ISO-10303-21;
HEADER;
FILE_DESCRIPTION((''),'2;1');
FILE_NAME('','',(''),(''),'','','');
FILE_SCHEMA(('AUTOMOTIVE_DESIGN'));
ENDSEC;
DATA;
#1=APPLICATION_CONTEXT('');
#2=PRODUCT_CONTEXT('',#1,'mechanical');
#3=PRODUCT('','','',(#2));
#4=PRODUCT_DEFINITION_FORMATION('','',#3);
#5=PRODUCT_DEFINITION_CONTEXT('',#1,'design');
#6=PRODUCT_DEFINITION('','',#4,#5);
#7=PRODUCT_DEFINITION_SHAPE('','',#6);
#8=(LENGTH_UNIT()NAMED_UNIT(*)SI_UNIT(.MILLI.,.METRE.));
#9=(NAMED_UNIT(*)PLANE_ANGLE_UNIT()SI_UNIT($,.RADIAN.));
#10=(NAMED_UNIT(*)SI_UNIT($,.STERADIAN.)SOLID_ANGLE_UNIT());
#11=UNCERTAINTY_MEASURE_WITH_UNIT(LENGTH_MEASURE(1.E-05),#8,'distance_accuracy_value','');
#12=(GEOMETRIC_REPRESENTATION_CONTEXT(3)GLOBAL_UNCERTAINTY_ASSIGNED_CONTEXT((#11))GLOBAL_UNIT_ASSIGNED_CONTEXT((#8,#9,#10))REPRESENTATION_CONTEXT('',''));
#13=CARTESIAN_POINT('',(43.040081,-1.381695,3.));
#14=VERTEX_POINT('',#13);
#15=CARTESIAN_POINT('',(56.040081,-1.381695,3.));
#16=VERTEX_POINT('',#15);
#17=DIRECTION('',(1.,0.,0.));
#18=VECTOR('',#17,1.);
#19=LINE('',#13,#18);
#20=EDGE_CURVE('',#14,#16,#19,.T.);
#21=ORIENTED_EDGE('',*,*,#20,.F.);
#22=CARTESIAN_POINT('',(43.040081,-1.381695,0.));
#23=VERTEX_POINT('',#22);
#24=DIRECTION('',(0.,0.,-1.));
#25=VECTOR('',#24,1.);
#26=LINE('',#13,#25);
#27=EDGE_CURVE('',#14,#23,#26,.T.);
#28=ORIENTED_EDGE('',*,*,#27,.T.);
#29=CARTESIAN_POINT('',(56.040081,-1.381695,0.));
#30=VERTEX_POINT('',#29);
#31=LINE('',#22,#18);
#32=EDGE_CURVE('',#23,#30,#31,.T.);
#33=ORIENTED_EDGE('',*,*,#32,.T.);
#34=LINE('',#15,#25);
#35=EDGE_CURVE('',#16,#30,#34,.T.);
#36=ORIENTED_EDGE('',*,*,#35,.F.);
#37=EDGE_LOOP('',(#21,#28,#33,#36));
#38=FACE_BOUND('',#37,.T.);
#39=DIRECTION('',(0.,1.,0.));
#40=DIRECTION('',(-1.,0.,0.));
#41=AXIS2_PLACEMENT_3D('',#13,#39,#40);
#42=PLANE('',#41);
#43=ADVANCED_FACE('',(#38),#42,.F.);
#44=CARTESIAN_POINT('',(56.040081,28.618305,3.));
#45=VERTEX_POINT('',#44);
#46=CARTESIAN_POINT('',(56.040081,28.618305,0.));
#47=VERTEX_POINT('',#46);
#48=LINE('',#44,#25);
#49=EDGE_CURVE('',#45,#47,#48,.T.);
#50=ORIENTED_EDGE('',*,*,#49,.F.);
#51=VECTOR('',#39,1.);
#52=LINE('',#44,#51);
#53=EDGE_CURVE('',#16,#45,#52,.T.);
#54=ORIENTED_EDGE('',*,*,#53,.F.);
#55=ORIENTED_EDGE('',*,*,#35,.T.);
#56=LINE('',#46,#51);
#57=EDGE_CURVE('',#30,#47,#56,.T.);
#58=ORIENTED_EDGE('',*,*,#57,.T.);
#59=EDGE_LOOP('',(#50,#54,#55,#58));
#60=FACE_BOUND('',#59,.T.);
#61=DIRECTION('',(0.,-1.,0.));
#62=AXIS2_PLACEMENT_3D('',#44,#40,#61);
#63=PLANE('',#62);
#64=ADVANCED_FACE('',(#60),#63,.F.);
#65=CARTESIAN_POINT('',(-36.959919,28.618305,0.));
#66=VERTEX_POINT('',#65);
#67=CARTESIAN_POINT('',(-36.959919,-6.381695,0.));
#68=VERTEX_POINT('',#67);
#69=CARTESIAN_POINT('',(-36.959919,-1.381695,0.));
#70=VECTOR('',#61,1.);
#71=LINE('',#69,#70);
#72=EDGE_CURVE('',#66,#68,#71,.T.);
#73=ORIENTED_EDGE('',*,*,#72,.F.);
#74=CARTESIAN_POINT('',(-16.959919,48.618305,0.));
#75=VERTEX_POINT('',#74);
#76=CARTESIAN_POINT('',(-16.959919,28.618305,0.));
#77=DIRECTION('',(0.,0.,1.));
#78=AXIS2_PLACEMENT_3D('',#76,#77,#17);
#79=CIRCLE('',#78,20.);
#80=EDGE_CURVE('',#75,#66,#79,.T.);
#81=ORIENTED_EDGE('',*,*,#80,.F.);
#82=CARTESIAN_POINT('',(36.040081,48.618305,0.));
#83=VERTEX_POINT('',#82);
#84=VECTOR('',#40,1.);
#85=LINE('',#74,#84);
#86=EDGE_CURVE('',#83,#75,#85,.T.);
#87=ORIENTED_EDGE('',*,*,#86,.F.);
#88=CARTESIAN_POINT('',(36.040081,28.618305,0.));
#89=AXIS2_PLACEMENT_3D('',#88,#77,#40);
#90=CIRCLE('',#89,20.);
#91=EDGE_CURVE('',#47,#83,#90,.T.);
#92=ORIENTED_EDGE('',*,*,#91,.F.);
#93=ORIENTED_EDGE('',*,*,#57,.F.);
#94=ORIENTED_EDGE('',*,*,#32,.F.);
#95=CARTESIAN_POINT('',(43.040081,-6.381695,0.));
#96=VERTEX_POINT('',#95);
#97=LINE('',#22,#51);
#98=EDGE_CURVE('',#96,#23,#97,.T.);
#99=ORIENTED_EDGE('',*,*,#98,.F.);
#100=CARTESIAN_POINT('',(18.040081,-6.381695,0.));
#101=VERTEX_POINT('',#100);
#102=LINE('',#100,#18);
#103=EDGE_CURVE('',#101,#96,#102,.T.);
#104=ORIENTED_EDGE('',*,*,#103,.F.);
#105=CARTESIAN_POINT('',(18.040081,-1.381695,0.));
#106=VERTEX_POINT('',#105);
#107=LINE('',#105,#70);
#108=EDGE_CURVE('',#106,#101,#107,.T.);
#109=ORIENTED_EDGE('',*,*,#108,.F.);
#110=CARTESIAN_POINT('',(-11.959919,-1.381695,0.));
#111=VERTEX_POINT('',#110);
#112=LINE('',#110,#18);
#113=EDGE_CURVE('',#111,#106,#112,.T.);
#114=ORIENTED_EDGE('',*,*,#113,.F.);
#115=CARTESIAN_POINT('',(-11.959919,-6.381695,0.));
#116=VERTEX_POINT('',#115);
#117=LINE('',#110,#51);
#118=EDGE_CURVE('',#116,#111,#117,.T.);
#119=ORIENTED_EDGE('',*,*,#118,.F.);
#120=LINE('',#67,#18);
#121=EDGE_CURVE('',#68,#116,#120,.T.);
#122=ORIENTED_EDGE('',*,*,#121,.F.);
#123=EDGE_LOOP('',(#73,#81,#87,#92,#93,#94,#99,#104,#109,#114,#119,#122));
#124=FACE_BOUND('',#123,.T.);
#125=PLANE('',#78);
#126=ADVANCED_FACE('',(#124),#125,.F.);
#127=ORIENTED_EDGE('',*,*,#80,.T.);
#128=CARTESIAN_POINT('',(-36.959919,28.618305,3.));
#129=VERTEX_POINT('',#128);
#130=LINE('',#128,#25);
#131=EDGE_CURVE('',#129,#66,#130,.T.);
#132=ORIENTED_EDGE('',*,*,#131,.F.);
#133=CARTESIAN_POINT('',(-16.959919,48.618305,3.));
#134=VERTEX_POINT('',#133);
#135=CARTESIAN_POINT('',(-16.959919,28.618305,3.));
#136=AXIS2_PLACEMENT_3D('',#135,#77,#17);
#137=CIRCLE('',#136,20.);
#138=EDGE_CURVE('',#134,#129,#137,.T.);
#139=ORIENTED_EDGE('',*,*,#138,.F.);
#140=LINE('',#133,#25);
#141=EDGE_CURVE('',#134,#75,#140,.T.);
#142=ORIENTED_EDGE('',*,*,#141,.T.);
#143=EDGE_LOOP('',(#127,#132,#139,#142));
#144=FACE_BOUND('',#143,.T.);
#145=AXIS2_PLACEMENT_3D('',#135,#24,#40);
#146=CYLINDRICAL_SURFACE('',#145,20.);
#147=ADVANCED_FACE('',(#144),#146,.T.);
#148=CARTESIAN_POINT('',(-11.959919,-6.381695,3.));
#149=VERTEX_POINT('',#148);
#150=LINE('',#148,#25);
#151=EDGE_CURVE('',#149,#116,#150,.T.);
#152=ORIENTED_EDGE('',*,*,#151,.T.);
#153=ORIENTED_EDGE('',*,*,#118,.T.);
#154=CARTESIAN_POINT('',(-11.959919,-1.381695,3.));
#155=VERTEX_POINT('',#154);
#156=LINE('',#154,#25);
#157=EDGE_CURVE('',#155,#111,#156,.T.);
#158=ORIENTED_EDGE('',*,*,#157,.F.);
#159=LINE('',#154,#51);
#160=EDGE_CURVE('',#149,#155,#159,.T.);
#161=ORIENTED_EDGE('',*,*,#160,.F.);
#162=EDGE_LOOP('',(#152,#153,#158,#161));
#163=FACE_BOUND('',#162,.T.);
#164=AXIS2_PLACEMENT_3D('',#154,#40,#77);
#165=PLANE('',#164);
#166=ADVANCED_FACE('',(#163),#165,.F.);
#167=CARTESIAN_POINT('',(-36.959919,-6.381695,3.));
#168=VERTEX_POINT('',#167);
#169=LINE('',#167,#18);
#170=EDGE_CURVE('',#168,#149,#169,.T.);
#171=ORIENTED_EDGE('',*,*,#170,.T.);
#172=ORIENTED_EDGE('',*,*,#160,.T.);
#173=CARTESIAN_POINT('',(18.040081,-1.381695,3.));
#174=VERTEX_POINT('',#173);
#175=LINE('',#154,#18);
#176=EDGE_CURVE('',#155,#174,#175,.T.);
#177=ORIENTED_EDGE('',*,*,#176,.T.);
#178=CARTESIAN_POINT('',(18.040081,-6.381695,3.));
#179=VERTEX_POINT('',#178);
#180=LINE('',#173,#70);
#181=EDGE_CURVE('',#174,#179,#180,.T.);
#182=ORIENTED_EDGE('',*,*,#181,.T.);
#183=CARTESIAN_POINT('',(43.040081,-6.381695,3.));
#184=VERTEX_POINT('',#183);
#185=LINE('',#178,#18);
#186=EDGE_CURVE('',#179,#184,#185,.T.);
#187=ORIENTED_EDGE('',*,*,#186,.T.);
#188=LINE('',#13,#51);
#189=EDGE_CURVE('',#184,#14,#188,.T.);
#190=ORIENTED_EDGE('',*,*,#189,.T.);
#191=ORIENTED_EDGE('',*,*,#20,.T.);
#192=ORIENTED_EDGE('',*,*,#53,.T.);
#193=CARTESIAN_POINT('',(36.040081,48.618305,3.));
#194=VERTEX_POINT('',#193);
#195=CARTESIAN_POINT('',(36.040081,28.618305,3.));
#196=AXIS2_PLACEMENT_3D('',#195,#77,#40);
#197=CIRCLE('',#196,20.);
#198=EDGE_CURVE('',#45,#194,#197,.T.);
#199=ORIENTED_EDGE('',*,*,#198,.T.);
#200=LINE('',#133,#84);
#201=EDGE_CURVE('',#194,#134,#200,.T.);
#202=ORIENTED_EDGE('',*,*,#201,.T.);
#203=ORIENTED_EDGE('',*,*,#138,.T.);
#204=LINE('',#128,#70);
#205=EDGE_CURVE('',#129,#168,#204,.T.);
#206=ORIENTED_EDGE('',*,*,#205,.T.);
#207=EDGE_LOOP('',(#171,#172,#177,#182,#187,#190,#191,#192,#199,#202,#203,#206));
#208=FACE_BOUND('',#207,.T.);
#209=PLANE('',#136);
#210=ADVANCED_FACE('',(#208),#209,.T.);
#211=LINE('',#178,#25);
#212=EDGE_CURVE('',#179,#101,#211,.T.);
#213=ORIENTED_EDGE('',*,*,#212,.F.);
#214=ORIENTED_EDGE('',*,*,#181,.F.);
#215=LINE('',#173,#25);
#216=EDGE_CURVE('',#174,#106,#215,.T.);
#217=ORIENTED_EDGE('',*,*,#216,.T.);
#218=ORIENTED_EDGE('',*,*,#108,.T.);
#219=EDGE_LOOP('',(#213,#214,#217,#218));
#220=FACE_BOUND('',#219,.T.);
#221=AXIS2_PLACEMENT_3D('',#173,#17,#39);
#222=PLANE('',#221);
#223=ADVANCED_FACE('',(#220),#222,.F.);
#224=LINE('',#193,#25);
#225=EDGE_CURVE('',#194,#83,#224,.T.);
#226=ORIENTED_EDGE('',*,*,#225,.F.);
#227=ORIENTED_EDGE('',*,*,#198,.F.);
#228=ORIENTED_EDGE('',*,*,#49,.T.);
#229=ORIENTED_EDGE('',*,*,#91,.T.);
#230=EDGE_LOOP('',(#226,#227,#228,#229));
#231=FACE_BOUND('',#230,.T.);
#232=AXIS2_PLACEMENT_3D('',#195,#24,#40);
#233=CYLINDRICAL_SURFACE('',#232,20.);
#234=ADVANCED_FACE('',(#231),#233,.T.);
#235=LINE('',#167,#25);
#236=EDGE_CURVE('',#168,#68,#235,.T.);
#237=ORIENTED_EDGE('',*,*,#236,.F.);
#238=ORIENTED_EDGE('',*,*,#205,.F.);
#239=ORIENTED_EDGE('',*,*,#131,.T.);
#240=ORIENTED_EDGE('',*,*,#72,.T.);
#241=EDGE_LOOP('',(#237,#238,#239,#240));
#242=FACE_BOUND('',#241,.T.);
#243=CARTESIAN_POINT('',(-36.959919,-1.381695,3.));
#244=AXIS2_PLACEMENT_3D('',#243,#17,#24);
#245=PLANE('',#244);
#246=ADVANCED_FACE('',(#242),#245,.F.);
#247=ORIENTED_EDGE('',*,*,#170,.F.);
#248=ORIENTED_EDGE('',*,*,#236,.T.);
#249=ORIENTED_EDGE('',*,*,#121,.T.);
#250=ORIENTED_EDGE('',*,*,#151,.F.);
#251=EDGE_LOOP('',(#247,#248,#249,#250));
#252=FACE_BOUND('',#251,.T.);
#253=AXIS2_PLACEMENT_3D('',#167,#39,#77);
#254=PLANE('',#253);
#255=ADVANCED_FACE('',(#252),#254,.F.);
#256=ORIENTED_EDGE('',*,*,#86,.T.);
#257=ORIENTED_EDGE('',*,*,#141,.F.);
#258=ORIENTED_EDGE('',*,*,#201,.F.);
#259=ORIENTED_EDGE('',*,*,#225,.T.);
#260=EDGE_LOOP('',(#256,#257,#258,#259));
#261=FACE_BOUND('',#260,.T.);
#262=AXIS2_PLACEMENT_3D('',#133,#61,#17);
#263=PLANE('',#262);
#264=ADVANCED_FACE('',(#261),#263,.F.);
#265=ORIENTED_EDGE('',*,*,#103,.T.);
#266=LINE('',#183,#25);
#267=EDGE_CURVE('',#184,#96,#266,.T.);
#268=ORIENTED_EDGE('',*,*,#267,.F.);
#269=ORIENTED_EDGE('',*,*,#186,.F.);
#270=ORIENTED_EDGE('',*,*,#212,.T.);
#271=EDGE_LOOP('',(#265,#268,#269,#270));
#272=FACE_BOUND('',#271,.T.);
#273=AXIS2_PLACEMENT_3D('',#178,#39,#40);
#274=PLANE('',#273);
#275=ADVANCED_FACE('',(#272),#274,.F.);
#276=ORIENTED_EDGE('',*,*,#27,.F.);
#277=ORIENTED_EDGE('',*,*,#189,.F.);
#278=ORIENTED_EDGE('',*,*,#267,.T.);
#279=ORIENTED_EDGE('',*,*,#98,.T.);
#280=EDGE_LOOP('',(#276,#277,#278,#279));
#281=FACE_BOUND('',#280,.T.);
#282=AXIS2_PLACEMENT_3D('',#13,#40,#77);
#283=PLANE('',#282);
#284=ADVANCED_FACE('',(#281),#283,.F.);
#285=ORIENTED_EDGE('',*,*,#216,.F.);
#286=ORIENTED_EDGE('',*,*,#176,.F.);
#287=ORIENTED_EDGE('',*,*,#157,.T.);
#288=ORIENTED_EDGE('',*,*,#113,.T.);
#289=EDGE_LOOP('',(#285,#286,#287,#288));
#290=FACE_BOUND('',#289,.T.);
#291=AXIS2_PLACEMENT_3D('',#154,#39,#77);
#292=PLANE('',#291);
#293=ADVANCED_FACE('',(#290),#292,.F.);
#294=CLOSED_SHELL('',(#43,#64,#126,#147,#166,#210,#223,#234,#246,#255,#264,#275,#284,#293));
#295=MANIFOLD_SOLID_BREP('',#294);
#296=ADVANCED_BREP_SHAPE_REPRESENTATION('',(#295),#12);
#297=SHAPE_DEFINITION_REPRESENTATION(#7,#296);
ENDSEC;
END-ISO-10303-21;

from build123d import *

# Parameters (mm, degrees)
RESSALTO_EXTRUS_O1_DEPTH = 3


with BuildPart() as part:
    # Esboço1 → Ressalto-extrusão1 (new body)
    with BuildSketch(Plane.XY):
        with BuildLine():
            Line((43.040081042, -1.381695114), (56.040081042, -1.381695114))
            Line((56.040081042, -1.381695114), (56.040081042, 28.618304886))
            ThreePointArc((56.040081042, 28.618304886), (50.182216666, 42.76044051), (36.040081042, 48.618304886))
            Line((36.040081042, 48.618304886), (-16.959918958, 48.618304886))
            ThreePointArc((-16.959918958, 48.618304886), (-31.102054581, 42.76044051), (-36.959918958, 28.618304886))
            Line((-36.959918958, 28.618304886), (-36.959918958, -1.381695114))
            Line((-36.959918958, -1.381695114), (-36.959918958, -6.381695114))
            Line((-36.959918958, -6.381695114), (-11.959918958, -6.381695114))
            Line((-11.959918958, -6.381695114), (-11.959918958, -1.381695114))
            Line((-11.959918958, -1.381695114), (18.040081042, -1.381695114))
            Line((18.040081042, -1.381695114), (18.040081042, -6.381695114))
            Line((18.040081042, -6.381695114), (43.040081042, -6.381695114))
            Line((43.040081042, -6.381695114), (43.040081042, -1.381695114))
        make_face()
    extrude(amount=RESSALTO_EXTRUS_O1_DEPTH)


solid = part.part
